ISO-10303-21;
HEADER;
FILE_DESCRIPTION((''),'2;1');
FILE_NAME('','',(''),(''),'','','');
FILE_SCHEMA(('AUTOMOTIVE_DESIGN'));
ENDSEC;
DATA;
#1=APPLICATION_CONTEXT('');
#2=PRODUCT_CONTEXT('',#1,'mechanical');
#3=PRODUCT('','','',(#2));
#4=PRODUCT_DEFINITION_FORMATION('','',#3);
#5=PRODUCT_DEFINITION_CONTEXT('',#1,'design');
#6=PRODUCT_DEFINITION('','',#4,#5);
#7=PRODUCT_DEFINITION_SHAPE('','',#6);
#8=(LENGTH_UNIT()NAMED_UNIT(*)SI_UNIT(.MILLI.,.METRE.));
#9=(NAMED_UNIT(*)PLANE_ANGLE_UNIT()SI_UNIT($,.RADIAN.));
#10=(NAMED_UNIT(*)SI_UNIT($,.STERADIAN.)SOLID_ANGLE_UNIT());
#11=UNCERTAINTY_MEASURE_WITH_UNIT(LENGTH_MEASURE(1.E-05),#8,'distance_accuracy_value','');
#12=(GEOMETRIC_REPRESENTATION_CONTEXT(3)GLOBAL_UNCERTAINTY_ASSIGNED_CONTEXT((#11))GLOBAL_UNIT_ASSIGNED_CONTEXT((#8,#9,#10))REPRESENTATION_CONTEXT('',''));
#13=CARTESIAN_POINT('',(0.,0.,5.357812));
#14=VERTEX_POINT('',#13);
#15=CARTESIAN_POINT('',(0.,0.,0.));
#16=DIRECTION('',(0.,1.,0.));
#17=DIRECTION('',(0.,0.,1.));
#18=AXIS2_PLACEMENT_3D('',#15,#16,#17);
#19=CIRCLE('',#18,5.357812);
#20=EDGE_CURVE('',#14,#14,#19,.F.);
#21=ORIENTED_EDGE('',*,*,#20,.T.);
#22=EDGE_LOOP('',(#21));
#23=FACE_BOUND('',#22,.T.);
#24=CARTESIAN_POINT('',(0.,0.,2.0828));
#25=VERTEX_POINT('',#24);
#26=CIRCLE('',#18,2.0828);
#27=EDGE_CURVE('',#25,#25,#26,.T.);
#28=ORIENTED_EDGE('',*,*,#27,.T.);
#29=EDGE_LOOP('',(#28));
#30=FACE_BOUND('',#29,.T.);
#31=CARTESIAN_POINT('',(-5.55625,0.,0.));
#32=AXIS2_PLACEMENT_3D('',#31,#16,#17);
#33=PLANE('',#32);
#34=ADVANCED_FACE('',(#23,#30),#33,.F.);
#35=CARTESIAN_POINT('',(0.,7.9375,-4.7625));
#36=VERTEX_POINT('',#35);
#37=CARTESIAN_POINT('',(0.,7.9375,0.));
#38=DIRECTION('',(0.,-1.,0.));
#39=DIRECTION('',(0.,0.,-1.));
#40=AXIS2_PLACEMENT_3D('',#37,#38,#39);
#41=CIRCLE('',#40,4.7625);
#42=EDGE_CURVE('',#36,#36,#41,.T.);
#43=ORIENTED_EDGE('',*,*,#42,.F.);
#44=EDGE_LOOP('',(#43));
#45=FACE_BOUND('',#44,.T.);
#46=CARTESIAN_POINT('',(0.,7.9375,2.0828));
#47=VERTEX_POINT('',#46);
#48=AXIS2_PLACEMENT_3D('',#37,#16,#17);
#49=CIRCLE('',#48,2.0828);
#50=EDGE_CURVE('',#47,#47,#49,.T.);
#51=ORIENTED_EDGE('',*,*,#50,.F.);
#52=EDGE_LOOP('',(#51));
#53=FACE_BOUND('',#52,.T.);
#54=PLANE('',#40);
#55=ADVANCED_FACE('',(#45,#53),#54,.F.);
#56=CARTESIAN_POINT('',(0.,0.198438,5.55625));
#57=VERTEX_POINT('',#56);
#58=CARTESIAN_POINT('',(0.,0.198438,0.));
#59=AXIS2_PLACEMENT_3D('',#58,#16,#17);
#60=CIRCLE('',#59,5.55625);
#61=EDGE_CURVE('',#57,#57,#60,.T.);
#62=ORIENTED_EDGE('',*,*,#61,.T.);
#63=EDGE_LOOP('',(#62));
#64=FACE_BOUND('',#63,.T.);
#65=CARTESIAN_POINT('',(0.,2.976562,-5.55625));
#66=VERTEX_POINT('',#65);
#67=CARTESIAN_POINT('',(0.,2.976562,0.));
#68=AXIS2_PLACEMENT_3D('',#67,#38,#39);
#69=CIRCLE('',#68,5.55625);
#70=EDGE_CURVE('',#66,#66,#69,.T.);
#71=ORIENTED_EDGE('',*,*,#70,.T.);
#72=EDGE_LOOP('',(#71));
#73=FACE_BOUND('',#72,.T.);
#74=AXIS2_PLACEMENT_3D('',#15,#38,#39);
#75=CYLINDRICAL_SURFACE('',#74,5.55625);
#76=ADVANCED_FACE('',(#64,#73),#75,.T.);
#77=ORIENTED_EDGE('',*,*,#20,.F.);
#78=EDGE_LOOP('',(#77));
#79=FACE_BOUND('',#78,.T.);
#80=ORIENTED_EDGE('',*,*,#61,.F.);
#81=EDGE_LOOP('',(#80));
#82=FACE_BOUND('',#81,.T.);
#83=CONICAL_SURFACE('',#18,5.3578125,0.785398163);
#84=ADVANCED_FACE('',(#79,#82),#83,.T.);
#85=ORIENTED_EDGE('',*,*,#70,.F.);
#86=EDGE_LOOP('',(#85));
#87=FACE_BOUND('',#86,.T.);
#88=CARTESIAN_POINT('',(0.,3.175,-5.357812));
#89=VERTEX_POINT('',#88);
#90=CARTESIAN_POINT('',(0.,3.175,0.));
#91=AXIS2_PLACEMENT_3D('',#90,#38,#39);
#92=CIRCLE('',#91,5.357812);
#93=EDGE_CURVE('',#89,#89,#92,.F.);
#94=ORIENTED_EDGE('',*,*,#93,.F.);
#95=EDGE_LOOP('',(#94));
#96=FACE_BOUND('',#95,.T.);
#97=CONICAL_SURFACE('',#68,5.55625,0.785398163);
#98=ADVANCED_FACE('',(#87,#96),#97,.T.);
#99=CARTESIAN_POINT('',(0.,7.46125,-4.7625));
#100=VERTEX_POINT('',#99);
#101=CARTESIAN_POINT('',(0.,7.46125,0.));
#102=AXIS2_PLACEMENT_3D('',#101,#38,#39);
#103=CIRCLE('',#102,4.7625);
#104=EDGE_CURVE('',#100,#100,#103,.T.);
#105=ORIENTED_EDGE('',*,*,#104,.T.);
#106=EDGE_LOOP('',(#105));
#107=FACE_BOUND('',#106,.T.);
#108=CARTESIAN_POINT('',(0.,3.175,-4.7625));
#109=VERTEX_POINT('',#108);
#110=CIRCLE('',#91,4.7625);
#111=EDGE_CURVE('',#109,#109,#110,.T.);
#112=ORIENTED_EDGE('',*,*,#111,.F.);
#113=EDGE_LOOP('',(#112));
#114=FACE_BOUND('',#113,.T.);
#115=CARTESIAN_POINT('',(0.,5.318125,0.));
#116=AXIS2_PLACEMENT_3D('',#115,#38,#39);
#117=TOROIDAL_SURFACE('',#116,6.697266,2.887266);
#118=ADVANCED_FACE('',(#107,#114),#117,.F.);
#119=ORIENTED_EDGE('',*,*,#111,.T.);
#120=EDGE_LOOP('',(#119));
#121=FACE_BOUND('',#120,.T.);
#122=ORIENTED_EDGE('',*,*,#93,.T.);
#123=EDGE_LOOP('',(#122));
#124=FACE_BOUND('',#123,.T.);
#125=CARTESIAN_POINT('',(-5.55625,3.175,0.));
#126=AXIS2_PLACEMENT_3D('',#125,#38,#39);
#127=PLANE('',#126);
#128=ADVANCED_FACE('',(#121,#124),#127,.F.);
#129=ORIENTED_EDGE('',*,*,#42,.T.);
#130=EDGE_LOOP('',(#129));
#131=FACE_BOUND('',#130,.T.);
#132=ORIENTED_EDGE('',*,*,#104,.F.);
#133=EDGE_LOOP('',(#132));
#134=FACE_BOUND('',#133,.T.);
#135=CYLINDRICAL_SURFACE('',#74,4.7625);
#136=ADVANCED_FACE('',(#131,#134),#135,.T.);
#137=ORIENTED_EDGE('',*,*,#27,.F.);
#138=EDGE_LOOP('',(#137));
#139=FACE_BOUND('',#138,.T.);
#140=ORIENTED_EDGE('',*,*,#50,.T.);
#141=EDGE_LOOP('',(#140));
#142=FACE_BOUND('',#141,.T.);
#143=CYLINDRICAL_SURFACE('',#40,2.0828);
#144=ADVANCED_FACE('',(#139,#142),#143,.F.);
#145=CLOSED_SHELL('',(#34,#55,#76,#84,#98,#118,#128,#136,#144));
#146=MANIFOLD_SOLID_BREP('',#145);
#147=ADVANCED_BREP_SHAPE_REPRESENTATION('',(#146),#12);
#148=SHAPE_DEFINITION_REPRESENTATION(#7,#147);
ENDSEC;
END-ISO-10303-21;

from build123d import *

# Parameters (mm, degrees)
SKETCH3_R          = 2.0828
CUT_EXTRUDE1_DEPTH = 12.169052528
CHAMFER1_SIZE      = 0.1984375


with BuildPart() as part:
    # Sketch1 → Revolve1 (revolve)
    with BuildSketch(Plane.XY):
        with BuildLine():
            Line((0, 7.9375), (-4.7625, 7.9375))
            Line((-4.7625, 7.9375), (-4.7625, 7.46125))
            ThreePointArc((-4.7625, 7.46125), (-3.81, 5.318125), (-4.7625, 3.175))
            Line((-4.7625, 3.175), (-5.55625, 3.175))
            Line((-5.55625, 3.175), (-5.55625, 0))
            Line((-5.55625, 0), (0, 0))
            Line((0, 0), (0, 7.9375))
        make_face()
    revolve(axis=Axis((0, 0, 0), (0, 1, 0)))

    # Sketch3 → Cut-Extrude1 (cut, through all)
    with BuildSketch(Plane(origin=(0, 0, 0), x_dir=(1, 0, 0), z_dir=(0, 1, 0))):
        Circle(SKETCH3_R)
    extrude(amount=CUT_EXTRUDE1_DEPTH, mode=Mode.SUBTRACT)

    # Chamfer1
    chamfer1_edges = [part.edges().sort_by_distance(p)[0] for p in [
        (5.55625, 3.175, 0),
        (5.55625, 0, 0),
    ]]
    chamfer(chamfer1_edges, length=CHAMFER1_SIZE)


solid = part.part
